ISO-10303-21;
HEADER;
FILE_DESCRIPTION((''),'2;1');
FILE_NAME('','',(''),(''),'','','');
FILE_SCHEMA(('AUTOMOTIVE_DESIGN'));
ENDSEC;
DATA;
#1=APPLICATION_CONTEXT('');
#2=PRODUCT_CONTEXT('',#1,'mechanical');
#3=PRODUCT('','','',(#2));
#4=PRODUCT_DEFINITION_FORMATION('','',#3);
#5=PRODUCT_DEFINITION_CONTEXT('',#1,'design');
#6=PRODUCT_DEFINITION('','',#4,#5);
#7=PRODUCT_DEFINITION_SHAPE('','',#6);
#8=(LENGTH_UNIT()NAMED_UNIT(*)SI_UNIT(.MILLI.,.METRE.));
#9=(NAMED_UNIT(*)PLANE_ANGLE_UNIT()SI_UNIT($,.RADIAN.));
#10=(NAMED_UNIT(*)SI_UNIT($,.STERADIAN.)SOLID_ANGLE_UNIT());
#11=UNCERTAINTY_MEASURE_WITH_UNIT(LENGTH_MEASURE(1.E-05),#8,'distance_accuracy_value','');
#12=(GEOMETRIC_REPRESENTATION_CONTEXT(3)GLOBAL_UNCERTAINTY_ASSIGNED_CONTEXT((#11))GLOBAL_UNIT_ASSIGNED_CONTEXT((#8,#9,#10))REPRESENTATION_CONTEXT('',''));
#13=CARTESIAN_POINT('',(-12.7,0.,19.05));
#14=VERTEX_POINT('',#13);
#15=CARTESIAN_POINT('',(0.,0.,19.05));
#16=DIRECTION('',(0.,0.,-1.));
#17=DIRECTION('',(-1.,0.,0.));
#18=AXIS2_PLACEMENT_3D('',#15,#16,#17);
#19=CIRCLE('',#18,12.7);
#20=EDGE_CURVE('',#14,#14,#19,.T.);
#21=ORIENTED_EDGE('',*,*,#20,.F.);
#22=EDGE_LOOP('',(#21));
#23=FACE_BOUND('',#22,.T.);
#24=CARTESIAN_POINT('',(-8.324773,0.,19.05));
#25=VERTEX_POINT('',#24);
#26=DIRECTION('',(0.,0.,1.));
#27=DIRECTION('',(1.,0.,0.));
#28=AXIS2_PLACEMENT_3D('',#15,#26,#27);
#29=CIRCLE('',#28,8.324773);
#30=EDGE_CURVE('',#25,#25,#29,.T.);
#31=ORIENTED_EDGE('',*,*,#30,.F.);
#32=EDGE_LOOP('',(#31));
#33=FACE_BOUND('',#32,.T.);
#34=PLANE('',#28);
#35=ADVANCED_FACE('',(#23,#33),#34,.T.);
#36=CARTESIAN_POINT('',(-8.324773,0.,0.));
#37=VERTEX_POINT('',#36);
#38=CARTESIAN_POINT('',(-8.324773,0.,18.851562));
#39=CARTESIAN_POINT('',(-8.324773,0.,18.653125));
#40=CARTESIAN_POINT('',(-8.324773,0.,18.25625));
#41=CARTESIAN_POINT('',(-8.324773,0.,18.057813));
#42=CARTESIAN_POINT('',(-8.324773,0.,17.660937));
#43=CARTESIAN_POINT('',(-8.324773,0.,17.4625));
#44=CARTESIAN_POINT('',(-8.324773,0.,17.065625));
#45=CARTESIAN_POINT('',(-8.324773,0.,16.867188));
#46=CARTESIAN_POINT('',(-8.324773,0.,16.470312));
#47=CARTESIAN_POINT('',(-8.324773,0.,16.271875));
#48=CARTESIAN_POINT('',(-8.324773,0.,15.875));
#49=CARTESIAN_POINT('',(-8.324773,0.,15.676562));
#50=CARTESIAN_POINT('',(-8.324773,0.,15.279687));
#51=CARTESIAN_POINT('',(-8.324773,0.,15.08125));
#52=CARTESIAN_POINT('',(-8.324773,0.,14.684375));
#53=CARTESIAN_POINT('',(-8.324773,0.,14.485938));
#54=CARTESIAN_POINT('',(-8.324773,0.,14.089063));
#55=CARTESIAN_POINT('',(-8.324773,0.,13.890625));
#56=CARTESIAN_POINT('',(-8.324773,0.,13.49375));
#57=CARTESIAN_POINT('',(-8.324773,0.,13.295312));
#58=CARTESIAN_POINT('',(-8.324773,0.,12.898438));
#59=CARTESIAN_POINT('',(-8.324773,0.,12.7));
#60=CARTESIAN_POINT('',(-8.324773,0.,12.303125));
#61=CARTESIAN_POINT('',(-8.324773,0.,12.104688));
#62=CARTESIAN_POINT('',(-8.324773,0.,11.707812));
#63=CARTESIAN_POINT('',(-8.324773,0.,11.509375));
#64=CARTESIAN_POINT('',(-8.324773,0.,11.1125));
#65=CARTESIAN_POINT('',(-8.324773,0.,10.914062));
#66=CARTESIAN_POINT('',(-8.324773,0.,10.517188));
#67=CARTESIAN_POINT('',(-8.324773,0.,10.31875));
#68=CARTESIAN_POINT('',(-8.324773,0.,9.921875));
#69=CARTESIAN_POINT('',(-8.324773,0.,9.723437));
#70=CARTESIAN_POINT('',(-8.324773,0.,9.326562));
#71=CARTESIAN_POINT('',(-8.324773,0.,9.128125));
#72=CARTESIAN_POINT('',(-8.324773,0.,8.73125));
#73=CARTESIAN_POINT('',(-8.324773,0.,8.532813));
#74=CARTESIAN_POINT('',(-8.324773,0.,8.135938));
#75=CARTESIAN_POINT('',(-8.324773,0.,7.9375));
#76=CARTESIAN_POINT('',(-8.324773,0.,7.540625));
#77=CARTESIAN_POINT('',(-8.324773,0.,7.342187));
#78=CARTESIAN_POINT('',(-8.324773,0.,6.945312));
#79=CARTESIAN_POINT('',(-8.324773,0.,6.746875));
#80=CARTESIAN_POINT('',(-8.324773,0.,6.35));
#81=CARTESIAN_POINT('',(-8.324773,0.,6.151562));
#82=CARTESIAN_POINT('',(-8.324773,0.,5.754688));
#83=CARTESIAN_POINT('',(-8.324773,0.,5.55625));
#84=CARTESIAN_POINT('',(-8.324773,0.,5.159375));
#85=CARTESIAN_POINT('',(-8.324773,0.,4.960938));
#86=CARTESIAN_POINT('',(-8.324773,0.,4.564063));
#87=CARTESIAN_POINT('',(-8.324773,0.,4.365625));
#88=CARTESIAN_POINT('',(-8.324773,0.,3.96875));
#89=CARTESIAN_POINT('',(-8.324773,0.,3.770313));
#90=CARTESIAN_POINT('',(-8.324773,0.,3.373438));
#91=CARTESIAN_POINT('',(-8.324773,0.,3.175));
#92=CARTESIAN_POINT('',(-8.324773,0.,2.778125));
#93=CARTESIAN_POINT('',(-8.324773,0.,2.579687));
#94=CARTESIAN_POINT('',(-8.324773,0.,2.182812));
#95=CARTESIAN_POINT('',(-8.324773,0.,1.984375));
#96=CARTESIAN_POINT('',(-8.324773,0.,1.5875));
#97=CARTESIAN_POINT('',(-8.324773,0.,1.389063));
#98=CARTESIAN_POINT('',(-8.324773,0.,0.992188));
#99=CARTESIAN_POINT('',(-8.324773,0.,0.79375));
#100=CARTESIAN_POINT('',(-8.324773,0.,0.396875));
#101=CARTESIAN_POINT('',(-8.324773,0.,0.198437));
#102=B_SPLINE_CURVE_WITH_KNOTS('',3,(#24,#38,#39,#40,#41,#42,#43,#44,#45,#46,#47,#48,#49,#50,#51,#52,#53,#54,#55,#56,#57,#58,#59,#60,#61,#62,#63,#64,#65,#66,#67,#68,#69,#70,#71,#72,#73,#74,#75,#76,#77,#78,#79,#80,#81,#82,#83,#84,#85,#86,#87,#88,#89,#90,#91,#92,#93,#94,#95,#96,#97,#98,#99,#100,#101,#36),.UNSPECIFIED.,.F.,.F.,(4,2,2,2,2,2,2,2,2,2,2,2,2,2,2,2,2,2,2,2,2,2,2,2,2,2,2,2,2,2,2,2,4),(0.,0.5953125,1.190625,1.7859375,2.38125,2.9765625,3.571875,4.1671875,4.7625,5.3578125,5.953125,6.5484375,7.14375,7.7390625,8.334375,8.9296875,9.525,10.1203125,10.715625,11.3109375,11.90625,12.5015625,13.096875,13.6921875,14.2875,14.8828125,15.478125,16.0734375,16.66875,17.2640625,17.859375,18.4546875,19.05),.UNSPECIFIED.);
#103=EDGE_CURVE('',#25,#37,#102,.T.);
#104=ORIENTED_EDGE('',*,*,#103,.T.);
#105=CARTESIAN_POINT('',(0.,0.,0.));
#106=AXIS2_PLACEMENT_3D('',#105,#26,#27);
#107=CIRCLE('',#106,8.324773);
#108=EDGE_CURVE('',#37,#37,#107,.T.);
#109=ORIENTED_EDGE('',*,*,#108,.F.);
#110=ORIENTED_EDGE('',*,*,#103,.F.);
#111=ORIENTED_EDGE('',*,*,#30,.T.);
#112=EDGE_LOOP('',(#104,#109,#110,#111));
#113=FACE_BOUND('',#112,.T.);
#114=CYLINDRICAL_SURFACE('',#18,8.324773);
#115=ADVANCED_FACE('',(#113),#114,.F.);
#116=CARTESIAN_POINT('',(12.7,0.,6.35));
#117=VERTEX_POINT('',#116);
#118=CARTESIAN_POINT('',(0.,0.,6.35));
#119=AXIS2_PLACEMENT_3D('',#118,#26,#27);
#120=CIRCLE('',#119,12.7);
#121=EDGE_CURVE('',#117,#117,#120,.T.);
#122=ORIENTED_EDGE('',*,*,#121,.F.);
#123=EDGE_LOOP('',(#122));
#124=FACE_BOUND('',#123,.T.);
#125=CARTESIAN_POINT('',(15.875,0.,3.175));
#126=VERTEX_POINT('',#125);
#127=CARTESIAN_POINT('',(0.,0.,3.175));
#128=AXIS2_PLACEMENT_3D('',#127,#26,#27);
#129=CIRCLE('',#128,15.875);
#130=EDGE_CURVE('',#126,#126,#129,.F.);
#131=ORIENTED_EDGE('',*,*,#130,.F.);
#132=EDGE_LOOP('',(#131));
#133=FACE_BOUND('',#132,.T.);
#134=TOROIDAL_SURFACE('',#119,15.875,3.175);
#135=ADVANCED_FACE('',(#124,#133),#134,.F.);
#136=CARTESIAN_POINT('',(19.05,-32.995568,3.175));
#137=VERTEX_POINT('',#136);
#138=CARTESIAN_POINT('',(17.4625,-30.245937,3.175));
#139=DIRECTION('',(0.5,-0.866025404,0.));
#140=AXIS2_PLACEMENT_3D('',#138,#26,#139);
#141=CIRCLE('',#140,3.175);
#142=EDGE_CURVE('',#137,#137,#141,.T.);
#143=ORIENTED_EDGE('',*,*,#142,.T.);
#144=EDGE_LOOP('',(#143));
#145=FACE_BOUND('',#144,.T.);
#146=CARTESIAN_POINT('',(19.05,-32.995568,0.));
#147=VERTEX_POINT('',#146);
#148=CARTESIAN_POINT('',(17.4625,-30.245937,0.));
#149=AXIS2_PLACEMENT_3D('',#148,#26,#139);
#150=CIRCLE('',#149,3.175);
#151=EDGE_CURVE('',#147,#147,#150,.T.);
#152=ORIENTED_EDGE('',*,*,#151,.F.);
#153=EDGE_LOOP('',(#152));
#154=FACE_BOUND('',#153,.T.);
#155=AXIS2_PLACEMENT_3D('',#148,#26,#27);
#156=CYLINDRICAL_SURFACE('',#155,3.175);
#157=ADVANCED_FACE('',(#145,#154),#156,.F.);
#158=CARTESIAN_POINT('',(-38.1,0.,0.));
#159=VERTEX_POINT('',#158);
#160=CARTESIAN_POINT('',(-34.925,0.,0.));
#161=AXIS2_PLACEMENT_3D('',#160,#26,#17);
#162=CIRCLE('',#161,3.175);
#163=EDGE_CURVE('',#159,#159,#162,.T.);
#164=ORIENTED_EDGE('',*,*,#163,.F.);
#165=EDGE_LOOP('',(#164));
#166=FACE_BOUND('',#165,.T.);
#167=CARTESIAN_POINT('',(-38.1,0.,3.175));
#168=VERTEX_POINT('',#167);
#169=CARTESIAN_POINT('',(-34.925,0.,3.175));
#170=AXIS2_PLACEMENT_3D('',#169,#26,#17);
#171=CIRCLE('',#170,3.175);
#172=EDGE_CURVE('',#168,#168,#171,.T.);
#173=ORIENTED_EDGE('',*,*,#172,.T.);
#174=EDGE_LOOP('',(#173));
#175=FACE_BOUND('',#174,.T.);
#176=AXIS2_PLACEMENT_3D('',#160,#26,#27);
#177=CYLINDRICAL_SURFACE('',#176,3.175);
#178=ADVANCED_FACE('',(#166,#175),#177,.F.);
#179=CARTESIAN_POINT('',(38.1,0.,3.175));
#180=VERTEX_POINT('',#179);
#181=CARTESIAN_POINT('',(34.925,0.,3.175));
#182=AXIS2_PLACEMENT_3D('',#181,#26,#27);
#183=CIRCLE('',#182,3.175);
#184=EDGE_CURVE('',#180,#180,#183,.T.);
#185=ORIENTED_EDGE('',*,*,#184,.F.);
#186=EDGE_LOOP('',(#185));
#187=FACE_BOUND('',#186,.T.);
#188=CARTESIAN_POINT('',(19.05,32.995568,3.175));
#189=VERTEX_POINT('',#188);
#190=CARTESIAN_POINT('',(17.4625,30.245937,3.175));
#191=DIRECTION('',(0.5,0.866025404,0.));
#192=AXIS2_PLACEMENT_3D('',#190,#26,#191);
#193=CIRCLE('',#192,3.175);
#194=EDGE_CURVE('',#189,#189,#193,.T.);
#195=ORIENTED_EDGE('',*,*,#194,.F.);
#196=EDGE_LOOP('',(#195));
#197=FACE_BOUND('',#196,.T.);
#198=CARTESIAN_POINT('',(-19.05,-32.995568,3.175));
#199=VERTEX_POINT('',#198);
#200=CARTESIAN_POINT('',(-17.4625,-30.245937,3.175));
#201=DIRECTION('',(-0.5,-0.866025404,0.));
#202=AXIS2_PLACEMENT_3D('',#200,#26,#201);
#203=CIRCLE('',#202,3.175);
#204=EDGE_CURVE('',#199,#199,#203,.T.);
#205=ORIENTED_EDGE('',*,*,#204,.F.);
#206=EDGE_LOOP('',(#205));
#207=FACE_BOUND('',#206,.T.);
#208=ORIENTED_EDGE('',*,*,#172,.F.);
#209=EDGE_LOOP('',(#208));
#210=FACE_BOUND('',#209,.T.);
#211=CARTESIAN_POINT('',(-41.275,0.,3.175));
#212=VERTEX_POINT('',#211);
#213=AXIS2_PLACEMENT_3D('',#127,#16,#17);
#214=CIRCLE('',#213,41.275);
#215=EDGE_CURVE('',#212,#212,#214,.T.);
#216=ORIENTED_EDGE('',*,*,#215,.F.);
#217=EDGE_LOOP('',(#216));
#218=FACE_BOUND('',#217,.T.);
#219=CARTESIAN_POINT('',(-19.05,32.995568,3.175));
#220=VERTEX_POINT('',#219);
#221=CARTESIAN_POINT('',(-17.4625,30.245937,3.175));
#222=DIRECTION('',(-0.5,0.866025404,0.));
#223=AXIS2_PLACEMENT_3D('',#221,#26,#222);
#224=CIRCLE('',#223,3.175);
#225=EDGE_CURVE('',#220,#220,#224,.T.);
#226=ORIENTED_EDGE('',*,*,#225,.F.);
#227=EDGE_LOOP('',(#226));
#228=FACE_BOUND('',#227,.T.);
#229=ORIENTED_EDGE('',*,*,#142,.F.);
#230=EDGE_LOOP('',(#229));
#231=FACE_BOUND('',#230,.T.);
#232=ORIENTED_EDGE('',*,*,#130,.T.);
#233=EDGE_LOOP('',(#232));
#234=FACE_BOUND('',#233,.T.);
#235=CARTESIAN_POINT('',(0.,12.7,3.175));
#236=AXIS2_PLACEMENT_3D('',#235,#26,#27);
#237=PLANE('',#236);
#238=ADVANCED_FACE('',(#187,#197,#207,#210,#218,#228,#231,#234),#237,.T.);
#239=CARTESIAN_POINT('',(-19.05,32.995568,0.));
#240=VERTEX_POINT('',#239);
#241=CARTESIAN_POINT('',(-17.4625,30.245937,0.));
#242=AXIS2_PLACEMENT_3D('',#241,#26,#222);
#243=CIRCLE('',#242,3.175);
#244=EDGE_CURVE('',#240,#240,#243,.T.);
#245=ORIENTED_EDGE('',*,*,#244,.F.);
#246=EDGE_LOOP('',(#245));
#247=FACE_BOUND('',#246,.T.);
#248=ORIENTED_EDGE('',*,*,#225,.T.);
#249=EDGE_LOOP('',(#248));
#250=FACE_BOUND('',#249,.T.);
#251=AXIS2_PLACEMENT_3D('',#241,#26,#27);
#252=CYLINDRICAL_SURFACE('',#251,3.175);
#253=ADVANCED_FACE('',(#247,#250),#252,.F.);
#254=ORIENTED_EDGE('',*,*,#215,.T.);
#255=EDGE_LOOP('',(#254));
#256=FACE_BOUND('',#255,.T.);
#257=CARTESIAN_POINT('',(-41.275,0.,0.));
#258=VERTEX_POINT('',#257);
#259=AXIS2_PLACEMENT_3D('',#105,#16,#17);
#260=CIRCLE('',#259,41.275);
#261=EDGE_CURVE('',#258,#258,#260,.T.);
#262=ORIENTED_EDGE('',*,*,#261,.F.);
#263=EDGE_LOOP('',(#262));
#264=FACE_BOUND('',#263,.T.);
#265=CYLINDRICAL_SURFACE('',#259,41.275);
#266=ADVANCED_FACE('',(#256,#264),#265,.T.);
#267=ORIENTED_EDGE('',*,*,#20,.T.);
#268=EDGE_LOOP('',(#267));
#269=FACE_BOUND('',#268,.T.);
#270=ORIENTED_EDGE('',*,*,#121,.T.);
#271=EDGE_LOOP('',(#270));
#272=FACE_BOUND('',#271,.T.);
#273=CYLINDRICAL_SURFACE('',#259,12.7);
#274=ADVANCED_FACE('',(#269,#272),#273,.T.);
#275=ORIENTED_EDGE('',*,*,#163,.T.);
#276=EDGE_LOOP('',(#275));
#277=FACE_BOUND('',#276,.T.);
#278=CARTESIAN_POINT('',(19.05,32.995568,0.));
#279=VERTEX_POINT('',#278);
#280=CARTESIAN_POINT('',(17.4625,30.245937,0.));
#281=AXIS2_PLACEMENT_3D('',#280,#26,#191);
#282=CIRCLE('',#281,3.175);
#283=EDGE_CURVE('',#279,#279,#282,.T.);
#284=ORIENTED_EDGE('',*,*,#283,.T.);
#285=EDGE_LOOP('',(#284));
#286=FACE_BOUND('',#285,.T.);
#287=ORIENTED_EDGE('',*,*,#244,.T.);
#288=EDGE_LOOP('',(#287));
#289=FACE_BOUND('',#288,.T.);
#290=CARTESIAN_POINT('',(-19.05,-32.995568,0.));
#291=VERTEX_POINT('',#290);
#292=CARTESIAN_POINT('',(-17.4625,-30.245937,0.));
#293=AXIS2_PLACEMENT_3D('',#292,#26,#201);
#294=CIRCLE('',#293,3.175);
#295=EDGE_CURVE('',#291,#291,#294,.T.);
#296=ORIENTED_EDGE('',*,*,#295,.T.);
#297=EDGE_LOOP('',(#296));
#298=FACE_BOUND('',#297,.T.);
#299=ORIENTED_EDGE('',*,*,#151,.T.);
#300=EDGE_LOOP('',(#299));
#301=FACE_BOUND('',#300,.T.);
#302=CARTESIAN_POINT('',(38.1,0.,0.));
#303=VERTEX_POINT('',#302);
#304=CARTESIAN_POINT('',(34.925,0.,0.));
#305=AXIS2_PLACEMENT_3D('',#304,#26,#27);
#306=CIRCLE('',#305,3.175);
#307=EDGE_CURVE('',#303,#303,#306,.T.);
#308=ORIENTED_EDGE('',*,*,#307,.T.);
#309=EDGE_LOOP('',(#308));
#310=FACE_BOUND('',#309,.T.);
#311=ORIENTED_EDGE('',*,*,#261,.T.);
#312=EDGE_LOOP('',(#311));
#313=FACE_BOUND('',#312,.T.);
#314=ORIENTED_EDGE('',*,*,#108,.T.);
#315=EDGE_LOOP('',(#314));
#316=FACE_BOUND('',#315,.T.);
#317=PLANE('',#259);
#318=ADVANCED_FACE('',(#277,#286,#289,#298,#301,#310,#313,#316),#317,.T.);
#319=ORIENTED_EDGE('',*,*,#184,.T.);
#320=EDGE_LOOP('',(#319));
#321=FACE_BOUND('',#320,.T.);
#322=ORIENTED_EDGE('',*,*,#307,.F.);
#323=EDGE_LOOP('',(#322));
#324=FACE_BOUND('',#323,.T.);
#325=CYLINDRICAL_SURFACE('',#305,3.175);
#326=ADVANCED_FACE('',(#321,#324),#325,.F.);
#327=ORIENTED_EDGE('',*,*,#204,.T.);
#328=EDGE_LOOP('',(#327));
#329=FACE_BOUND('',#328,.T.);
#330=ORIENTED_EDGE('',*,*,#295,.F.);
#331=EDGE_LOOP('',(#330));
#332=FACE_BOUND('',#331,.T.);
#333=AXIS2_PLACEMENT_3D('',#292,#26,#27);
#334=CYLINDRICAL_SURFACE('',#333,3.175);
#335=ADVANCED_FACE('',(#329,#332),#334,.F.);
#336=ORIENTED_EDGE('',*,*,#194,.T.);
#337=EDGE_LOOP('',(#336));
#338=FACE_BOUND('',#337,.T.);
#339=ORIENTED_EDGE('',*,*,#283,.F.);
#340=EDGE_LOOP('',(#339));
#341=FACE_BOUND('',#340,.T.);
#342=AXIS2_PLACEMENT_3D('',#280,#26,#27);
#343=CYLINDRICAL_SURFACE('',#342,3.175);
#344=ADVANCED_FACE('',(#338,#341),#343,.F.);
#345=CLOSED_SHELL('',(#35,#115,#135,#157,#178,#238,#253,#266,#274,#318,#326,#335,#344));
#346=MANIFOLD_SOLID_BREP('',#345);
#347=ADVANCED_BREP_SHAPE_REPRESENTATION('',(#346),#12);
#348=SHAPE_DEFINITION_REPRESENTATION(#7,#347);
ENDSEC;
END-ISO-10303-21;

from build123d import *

# Parameters (mm, degrees)
SKETCH2_R          = 8.324772978
CUT_EXTRUDE5_DEPTH = 62.401577748
SKETCH3_R          = 3.175
CUT_EXTRUDE6_DEPTH = 61.491874454
CIRPATTERN2_COUNT  = 6
FILLET1_R          = 3.175


with BuildPart() as part:
    # Sketch1 → Revolve1 (revolve)
    with BuildSketch(Plane(origin=(0, 0, 0), x_dir=(0, 0, -1), z_dir=(1, 0, 0)), mode=Mode.PRIVATE) as revolve1_sk:
        Polygon((0, 0), (0, 41.275), (-3.175, 41.275), (-3.175, 12.7), (-19.05, 12.7), (-19.05, 0), align=None)
    revolve(revolve1_sk.sketch.rotate(Axis((0, 0, 0), (0, 0, 1)), 90), axis=Axis((0, 0, 0), (0, 0, 1)))

    # Sketch2 → Cut-Extrude5 (cut, through all)
    with BuildSketch(Plane.XY):
        with Locations(Location((0, 0, 0), (0, 0, 180))):
            Circle(SKETCH2_R)
    extrude(amount=CUT_EXTRUDE5_DEPTH, mode=Mode.SUBTRACT)

    # Sketch3 → Cut-Extrude6 (cut, through all)
    with BuildSketch(Plane.XY.offset(3.175)):
        with Locations((34.925, 0)):
            Circle(SKETCH3_R)
    cut_extrude6 = extrude(amount=-CUT_EXTRUDE6_DEPTH, mode=Mode.SUBTRACT)

    # CirPattern2: Cut-Extrude6 ×6 about axis
    cirpattern2_axis = Axis((0, 0, 0), (0, 0, 1))
    for i in range(1, CIRPATTERN2_COUNT):
        add(cut_extrude6.rotate(cirpattern2_axis, i * 360 / CIRPATTERN2_COUNT), mode=Mode.SUBTRACT)

    # Fillet1
    fillet1_edges = [part.edges().sort_by_distance(p)[0] for p in [
        (12.7, 0, 3.175),
    ]]
    fillet(fillet1_edges, radius=FILLET1_R)


solid = part.part
